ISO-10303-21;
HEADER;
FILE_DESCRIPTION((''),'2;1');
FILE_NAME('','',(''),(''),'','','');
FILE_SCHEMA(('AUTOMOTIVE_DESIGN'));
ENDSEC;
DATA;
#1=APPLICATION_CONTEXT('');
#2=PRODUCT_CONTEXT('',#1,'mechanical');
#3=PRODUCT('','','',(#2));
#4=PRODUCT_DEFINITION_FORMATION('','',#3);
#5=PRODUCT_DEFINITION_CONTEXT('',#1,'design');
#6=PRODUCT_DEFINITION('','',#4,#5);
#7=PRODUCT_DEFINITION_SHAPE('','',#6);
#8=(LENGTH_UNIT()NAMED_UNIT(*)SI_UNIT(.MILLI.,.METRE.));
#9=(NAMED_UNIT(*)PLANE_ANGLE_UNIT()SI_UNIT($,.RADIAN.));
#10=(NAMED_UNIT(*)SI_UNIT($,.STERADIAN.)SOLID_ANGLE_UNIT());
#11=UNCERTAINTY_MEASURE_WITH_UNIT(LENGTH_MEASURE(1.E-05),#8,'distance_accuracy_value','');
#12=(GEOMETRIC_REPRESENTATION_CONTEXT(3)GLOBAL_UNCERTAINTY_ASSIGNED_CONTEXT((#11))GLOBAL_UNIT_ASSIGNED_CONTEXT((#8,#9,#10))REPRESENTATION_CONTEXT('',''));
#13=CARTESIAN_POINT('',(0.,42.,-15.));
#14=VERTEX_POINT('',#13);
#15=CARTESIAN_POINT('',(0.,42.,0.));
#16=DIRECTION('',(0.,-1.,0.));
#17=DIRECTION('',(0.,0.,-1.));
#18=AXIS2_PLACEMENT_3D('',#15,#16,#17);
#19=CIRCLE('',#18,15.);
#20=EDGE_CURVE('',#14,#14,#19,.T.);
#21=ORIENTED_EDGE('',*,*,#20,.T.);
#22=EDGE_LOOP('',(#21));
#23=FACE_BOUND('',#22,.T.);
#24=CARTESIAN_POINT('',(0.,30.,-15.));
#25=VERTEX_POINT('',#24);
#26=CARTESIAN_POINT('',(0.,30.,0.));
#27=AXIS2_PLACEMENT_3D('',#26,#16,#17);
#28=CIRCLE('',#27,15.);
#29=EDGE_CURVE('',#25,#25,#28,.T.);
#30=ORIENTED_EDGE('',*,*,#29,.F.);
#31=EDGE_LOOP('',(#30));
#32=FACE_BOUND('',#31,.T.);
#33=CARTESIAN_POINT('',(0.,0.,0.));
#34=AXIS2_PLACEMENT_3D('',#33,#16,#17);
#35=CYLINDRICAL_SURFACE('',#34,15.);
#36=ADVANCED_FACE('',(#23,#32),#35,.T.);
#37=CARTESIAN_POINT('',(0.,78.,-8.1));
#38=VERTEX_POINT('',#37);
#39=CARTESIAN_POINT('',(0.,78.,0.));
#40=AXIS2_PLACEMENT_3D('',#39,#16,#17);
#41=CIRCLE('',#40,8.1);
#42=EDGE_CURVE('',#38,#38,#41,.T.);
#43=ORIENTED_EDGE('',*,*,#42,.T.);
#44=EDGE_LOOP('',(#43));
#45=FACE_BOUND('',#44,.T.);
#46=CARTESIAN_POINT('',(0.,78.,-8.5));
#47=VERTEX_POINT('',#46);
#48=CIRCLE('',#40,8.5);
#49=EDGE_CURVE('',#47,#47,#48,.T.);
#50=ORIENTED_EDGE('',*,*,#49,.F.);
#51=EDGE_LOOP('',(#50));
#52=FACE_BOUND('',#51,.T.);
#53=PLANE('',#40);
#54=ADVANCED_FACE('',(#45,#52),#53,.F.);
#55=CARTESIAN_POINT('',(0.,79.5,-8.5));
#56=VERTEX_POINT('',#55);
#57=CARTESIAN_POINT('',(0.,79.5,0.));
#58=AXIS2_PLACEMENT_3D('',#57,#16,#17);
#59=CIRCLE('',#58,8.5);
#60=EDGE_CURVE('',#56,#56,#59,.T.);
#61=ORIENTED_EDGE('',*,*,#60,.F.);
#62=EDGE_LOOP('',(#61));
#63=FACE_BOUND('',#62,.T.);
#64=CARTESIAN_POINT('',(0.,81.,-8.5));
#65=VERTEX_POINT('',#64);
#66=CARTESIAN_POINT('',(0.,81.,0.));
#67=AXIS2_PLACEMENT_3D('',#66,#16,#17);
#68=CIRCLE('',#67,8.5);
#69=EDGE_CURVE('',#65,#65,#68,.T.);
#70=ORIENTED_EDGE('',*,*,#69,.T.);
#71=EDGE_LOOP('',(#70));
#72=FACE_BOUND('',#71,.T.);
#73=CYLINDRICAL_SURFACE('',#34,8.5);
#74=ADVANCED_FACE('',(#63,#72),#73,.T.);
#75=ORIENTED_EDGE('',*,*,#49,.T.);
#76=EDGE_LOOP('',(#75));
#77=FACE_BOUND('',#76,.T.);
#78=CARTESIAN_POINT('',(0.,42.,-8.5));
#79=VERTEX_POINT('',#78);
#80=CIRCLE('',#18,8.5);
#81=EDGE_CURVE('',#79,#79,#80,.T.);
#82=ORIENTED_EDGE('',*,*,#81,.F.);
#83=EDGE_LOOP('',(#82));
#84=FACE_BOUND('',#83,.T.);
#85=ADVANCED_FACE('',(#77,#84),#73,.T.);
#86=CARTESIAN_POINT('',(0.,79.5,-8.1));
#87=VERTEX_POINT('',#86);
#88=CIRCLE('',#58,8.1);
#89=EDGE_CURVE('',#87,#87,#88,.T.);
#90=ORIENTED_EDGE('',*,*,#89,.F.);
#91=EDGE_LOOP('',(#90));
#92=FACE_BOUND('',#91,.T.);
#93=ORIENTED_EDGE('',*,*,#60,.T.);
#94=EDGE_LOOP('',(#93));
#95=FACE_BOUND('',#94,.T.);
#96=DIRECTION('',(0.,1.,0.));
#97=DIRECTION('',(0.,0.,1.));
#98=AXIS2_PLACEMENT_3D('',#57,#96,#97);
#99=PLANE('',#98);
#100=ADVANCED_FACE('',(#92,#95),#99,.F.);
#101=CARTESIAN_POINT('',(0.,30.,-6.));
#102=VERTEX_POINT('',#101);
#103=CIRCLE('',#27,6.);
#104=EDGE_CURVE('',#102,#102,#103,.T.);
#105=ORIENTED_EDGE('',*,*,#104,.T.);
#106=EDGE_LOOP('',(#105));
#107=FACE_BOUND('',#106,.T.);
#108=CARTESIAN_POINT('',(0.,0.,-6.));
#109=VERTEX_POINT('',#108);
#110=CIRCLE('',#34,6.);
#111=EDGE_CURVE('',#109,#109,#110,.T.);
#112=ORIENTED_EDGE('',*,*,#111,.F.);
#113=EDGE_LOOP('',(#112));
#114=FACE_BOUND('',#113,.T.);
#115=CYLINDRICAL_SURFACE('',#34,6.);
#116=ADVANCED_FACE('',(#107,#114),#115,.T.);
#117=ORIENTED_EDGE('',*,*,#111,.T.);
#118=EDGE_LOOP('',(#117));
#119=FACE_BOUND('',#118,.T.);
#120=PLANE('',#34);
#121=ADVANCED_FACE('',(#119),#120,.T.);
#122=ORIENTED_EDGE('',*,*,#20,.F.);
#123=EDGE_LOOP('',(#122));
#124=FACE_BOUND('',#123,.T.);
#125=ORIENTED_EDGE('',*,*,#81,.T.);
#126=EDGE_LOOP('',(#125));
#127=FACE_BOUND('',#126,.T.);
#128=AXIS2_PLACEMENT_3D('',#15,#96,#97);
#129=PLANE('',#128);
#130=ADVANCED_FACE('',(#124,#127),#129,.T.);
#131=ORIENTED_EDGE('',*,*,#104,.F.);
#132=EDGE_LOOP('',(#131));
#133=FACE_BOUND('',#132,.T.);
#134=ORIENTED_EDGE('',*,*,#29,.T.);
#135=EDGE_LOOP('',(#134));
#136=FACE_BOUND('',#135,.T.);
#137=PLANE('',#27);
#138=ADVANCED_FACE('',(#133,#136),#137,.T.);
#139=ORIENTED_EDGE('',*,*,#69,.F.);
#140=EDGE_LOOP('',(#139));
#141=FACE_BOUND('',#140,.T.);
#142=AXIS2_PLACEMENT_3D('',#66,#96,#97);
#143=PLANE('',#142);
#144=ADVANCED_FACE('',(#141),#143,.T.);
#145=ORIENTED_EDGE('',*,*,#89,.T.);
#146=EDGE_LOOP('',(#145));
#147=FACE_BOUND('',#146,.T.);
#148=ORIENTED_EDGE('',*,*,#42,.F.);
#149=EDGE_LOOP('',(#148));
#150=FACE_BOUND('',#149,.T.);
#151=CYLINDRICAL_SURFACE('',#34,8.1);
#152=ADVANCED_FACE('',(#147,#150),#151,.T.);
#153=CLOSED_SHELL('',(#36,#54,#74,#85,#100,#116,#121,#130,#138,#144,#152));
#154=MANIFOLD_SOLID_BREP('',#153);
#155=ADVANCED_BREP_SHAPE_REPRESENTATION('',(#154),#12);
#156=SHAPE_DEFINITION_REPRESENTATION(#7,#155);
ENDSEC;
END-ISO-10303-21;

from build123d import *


with BuildPart() as part:
    # Sketch1 → Revolve1 (revolve)
    with BuildSketch(Plane.XY, mode=Mode.PRIVATE) as revolve1_sk:
        Polygon((0, 81), (0, 0), (6, 0), (6, 30), (15, 30), (15, 42), (8.5, 42), (8.5, 78), (8.1, 78), (8.1, 79.5), (8.5, 79.5), (8.5, 81), align=None)
    revolve(revolve1_sk.sketch.rotate(Axis((0, 0, 0), (0, 1, 0)), 90), axis=Axis((0, 0, 0), (0, 1, 0)))


solid = part.part
